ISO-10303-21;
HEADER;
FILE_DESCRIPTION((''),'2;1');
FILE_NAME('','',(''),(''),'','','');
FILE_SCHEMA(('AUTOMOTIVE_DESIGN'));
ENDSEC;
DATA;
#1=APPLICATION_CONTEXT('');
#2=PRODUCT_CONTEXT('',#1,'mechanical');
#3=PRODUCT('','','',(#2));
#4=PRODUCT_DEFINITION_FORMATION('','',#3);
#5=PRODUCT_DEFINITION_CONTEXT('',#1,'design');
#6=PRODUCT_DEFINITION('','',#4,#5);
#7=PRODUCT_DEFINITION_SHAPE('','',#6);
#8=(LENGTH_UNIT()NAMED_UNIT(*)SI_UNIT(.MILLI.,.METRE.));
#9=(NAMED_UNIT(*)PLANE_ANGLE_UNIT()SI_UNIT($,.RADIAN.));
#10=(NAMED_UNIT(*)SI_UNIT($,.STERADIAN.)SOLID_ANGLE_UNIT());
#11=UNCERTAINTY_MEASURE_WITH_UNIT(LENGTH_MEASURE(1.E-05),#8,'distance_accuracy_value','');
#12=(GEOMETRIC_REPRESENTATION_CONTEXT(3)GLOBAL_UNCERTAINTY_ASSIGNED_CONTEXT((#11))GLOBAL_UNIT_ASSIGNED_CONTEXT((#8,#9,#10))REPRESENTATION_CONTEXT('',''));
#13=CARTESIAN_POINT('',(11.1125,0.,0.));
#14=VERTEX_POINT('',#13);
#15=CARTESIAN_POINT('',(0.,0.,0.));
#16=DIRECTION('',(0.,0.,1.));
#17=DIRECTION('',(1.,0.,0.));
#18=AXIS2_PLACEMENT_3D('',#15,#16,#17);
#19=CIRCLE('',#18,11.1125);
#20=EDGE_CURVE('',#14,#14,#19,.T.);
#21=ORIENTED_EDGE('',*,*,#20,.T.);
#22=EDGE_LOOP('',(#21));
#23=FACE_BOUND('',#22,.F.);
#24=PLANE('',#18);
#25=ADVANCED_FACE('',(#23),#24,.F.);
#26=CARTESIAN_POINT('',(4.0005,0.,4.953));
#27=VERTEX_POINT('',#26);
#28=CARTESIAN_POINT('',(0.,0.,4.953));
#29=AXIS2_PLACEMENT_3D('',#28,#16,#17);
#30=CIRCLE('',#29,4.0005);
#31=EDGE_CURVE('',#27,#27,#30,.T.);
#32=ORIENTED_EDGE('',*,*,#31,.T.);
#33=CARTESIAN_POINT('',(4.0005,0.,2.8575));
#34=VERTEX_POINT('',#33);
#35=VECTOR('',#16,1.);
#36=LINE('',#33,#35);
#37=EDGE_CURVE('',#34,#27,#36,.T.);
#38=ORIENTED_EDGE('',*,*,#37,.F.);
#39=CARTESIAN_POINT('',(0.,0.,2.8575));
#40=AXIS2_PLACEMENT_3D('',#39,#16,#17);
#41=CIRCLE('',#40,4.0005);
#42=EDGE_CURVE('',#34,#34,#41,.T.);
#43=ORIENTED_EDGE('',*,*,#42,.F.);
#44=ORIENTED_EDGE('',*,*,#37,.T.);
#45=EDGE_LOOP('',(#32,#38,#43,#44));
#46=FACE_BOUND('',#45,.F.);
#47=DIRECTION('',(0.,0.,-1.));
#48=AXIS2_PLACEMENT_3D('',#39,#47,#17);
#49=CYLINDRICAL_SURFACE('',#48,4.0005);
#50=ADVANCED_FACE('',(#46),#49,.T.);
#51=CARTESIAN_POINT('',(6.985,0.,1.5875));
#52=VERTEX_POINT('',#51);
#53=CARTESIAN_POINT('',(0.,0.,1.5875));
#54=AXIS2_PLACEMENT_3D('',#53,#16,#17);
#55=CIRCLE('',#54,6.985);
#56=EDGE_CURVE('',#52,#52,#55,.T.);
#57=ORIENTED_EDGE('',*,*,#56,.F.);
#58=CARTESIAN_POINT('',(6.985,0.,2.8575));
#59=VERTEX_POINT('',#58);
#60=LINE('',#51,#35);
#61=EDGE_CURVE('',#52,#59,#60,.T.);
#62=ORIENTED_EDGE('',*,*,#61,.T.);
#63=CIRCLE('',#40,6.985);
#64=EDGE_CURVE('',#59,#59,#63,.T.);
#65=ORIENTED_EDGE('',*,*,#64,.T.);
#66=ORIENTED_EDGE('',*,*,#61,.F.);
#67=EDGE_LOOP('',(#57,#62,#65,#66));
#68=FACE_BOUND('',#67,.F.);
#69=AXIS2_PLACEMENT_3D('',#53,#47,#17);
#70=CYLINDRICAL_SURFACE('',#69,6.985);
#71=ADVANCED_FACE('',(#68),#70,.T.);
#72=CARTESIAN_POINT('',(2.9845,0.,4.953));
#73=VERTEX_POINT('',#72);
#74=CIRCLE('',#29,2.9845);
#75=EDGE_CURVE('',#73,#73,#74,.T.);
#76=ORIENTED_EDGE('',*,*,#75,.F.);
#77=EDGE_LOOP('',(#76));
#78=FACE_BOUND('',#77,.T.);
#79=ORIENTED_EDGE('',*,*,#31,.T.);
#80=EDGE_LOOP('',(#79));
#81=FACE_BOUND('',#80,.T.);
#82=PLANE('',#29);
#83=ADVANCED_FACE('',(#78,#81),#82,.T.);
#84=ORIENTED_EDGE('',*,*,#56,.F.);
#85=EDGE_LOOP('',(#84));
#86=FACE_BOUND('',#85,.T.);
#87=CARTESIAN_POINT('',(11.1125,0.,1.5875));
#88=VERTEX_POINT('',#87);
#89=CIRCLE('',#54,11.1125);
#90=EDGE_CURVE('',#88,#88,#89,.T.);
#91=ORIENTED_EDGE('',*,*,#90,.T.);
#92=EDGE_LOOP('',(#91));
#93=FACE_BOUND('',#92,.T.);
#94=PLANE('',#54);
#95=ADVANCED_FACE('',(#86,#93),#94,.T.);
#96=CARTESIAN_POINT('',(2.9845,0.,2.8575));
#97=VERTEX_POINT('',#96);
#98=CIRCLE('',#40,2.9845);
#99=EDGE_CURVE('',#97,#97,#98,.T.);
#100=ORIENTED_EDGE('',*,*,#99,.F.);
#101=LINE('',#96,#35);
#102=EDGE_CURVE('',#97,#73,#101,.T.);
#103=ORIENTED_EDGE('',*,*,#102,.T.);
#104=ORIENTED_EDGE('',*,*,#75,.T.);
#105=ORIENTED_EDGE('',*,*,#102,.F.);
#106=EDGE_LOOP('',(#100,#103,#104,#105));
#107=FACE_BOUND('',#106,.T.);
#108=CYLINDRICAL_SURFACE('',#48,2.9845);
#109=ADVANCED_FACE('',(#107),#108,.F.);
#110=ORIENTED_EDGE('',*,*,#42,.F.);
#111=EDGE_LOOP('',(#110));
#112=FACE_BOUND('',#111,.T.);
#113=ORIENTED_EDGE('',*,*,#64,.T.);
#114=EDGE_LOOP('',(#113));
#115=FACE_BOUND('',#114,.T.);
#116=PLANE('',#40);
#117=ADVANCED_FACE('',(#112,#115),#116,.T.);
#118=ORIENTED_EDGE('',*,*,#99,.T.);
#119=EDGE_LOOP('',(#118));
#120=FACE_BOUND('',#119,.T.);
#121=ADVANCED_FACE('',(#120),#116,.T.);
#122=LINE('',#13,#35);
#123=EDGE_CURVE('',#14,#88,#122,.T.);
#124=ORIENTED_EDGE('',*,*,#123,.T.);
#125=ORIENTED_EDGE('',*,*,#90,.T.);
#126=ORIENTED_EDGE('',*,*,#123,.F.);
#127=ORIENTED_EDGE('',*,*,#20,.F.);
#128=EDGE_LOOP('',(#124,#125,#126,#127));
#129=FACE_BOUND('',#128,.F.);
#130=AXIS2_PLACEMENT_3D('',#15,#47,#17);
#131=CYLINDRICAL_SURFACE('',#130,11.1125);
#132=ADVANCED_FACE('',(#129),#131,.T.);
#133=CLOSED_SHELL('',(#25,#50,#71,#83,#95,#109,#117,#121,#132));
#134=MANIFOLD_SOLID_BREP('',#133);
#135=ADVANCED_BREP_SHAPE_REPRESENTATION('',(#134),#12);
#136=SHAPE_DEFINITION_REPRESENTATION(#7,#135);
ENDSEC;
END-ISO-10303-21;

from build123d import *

# Parameters (mm, degrees)
F0_R     = 11.1125
F1_DEPTH = 1.5875
F2_R     = 6.985
F3_DEPTH = 1.27
F4_R     = 4.0005
F4_R_2   = 2.9845
F5_DEPTH = 2.0955


with BuildPart() as f1:
    # F0 (on Top) → F1 (new body)
    with BuildSketch(Plane.XY):
        Circle(F0_R)
    extrude(amount=F1_DEPTH)

    # F2 (on face) → F3 (join)
    with BuildSketch(Plane.XY.offset(1.5875)):
        Circle(F2_R)
    extrude(amount=F3_DEPTH)

    # F4 (on face) → F5 (join)
    with BuildSketch(Plane.XY.offset(2.8575)):
        Circle(F4_R)
        Circle(F4_R_2, mode=Mode.SUBTRACT)
    extrude(amount=F5_DEPTH)


solid = f1.part
